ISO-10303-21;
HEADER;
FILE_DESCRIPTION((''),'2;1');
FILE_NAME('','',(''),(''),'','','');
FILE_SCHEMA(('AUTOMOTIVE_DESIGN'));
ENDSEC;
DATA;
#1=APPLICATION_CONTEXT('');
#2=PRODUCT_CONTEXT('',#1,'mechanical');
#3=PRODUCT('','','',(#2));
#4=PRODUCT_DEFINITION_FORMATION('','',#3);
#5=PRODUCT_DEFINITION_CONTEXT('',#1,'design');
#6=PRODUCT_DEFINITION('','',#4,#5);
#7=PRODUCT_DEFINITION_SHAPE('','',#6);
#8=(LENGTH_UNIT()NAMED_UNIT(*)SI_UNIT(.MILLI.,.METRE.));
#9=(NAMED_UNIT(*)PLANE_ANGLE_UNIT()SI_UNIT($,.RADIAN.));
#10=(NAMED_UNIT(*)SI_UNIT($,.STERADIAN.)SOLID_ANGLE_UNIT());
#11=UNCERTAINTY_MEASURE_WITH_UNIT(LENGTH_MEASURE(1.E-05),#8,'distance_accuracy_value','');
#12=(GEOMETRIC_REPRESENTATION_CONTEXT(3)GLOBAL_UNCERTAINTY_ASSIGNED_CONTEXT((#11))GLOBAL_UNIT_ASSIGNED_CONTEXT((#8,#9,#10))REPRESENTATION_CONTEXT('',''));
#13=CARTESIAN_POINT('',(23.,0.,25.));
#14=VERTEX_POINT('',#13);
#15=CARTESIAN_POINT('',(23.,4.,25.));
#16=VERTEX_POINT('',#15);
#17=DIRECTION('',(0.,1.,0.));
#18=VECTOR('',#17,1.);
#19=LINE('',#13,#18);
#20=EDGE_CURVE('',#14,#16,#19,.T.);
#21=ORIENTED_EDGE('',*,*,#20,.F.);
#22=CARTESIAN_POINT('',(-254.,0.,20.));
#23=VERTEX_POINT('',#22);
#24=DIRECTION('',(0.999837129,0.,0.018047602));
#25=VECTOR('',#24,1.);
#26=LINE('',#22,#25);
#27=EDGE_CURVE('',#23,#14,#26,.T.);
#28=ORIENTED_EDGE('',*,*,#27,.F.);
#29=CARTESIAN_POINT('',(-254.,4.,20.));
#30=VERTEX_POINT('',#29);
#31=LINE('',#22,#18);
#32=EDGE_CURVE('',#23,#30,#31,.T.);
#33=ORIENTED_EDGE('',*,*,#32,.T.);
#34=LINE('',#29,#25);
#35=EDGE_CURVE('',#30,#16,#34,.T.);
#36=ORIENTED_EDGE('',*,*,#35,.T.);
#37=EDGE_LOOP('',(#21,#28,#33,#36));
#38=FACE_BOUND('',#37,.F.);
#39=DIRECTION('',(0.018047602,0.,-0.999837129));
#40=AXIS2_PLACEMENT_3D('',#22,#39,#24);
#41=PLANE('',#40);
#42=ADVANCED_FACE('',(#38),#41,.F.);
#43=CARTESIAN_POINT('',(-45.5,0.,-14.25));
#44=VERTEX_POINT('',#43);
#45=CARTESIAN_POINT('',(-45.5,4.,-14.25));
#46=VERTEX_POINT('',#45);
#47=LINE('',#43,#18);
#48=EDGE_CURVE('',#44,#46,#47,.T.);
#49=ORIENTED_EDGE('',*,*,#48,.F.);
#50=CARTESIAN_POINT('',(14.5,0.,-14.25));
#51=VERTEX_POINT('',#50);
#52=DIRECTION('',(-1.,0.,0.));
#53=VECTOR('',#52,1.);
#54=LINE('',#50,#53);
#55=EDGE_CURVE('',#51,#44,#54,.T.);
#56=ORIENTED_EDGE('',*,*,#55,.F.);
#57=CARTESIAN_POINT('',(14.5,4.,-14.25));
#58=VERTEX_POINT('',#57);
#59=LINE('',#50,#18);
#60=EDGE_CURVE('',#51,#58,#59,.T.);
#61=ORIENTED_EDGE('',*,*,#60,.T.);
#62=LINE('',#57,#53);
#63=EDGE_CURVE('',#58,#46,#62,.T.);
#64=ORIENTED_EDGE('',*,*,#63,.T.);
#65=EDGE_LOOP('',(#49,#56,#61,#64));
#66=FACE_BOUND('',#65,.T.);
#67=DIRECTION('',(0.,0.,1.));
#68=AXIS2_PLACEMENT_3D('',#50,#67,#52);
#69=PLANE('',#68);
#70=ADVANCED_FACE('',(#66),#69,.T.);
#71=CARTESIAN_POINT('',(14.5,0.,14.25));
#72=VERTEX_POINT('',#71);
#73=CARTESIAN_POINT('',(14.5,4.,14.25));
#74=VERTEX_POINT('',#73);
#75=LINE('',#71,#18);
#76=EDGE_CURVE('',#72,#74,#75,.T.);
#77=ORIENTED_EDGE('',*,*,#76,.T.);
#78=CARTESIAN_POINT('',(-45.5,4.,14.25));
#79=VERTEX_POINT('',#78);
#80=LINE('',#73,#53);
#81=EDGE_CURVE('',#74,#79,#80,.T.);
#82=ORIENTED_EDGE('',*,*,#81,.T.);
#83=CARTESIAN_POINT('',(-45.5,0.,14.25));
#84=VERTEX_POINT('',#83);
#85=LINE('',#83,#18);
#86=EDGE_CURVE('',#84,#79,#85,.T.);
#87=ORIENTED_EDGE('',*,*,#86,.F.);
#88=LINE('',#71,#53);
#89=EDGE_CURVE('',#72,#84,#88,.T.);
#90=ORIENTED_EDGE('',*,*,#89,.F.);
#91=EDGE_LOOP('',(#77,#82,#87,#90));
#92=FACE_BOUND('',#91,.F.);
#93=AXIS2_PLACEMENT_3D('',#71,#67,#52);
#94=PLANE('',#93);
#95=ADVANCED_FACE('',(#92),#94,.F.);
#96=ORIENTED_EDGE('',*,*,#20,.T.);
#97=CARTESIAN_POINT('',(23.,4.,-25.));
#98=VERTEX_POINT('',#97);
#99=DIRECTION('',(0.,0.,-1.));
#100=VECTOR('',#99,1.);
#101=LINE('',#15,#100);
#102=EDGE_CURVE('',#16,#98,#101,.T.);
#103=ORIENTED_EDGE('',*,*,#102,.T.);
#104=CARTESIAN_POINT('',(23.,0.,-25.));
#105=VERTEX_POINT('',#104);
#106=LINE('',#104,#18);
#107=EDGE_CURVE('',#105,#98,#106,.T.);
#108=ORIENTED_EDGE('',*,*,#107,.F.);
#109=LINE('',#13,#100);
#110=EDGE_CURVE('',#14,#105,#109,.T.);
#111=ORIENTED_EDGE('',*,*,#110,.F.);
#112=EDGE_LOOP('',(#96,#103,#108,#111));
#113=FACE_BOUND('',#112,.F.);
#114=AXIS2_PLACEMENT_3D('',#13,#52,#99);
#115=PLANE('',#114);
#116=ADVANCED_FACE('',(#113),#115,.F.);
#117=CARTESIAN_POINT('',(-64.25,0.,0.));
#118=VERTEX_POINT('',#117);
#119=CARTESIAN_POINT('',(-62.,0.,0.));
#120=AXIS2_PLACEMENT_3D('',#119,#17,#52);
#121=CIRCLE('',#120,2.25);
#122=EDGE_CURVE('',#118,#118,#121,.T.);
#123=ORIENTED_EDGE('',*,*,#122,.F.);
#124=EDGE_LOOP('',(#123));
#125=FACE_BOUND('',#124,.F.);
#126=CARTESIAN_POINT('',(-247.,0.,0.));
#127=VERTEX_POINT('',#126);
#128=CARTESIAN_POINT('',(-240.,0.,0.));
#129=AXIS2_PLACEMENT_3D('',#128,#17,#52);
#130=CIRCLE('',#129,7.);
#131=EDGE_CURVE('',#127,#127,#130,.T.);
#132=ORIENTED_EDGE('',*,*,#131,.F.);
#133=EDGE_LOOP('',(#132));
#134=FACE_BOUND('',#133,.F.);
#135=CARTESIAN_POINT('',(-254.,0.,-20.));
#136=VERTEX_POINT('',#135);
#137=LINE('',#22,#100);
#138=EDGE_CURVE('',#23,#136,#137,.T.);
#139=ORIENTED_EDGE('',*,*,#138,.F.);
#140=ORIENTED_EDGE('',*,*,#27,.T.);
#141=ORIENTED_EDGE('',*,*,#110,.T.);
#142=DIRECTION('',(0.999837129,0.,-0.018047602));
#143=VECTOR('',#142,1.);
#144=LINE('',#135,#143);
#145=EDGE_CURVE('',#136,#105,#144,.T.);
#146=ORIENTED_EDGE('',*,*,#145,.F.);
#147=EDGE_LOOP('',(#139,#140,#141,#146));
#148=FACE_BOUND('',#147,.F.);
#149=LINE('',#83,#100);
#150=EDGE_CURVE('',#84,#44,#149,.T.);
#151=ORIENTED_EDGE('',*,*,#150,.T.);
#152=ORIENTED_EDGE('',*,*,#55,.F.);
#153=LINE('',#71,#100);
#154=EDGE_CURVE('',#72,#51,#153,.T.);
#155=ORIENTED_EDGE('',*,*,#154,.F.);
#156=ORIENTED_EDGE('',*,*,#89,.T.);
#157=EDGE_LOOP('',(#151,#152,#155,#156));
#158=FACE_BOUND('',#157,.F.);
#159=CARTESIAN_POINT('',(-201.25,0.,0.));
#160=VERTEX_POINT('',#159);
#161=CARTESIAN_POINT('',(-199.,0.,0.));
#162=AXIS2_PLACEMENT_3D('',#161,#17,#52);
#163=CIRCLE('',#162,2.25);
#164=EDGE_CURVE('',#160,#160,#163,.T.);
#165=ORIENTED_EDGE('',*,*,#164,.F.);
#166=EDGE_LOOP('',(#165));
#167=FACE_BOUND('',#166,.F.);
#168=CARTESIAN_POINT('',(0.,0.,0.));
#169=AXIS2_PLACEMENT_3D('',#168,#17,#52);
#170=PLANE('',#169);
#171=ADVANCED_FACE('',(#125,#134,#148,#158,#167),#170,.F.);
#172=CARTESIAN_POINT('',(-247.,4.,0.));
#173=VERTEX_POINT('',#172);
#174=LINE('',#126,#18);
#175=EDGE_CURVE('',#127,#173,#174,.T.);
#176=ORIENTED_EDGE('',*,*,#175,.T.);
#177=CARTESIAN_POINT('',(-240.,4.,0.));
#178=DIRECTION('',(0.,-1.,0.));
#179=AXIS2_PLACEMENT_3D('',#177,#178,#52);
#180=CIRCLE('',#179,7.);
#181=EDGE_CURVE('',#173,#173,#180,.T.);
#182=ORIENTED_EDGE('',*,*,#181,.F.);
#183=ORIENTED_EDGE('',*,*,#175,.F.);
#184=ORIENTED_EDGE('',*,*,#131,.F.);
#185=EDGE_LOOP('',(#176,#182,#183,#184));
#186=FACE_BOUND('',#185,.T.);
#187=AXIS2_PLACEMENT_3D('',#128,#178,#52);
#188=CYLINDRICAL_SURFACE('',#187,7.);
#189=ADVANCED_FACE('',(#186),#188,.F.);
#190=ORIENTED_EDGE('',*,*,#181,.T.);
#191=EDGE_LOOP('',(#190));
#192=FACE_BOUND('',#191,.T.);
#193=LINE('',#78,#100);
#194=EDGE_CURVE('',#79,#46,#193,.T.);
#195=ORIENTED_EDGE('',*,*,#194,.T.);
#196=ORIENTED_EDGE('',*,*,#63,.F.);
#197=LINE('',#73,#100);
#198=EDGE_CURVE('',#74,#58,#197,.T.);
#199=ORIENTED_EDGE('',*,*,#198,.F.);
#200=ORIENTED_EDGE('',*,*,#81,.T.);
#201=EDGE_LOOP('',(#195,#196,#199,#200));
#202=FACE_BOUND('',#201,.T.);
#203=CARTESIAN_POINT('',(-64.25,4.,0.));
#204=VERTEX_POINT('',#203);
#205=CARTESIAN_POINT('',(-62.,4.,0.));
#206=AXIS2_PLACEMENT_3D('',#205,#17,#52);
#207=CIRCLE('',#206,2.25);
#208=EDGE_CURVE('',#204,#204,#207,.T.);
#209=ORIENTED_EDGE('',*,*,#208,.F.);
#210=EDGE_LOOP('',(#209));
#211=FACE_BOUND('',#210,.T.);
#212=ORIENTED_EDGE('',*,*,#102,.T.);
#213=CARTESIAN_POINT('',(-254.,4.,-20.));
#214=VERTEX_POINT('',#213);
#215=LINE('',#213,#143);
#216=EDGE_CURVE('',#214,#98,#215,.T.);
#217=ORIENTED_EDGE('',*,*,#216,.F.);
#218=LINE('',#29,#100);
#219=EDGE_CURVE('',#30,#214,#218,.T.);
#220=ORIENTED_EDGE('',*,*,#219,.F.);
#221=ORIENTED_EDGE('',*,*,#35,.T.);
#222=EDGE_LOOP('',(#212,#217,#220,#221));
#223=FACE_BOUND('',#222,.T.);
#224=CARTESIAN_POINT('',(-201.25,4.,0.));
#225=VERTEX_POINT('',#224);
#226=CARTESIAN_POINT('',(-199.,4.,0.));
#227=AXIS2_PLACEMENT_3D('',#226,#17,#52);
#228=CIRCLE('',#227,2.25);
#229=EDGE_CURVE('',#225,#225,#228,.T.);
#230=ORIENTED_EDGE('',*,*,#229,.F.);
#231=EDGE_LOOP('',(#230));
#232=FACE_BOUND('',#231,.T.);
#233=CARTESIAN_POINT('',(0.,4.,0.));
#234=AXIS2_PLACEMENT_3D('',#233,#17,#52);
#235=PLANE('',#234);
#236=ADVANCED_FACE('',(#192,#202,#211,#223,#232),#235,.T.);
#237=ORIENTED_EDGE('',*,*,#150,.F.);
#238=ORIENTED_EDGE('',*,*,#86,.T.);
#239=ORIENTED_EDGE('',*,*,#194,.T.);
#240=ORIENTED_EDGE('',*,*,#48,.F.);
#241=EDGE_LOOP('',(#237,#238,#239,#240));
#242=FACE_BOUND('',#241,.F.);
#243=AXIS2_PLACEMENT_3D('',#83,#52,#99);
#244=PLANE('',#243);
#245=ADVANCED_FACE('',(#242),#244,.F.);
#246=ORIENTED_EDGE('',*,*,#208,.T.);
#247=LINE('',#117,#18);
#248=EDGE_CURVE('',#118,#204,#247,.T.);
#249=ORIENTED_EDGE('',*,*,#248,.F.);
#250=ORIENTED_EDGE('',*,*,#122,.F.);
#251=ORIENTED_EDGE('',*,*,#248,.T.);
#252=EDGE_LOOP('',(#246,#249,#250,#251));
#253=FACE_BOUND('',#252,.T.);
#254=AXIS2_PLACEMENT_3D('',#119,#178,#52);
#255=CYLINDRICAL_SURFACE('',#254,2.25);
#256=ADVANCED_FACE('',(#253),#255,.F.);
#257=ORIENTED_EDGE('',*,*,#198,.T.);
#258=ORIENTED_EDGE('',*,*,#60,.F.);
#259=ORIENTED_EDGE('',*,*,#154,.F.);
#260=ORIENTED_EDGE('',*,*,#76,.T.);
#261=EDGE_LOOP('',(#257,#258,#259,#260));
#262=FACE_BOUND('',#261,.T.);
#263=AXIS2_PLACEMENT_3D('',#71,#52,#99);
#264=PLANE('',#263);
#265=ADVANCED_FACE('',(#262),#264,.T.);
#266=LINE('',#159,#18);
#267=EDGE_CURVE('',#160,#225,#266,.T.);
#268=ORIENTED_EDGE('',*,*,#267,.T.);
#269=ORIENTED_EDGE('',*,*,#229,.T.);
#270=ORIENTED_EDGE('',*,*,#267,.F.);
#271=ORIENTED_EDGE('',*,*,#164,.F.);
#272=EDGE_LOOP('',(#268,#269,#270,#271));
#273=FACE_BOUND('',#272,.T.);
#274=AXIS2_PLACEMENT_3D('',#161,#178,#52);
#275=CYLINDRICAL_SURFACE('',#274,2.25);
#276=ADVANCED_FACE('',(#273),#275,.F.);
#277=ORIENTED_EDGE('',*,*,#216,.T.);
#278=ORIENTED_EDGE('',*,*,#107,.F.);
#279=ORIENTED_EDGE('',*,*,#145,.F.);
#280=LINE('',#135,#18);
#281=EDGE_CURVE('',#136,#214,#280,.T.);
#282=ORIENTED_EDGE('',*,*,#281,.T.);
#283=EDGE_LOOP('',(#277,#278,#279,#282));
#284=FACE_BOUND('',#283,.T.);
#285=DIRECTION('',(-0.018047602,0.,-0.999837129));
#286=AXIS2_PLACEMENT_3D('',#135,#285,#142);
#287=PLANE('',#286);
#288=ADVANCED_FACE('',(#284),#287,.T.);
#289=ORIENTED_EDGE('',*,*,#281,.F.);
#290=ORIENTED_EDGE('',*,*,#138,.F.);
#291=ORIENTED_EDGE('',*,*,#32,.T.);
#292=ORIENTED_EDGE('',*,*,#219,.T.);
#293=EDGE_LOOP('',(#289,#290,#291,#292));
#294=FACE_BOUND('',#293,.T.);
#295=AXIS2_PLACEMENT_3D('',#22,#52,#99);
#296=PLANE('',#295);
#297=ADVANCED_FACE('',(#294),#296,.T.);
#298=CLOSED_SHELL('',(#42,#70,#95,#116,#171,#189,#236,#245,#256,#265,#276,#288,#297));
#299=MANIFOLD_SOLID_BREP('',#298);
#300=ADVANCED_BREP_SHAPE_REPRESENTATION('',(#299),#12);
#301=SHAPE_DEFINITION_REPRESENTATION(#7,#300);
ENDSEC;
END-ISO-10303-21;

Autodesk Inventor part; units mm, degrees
ref_plane "YZ Plane" through (0, 0, 0) normal (1, 0, 0) x (0, 1, 0)
ref_plane "XZ Plane" through (0, 0, 0) normal (0, 1, 0) x (-1, 0, 0)
ref_plane "XY Plane" through (0, 0, 0) normal (0, 0, 1) x (1, 0, 0)
sketch "Sketch2" plane through (0, 0, 0) normal (0, 1, 0) x (-1, 0, 0)
  circle A0 centre (188.3525, 14.1838) radius 2 projected
  circle A1 centre (143.3599, 14.996) radius 2 projected
  circle A2 centre (98.3672, 15.8081) radius 2 projected
  circle A3 centre (53.3745, 16.6203) radius 2 projected
  circle A4 centre (62, 0) radius 2.25 projected
  circle A5 centre (199, 0) radius 2.25 projected
  circle A6 centre (214.5, 0) radius 1.5 projected
  line L0 (217, 7) -> (217, -7) projected
  line L1 (217, 7) -> (247, 7) projected
  line L2 (247, 7) -> (247, -7) projected
  line L3 (217, -7) -> (247, -7) projected
  circle A7 centre (249.5, 0) radius 1.5 projected
  line L4 (254, 20) -> (254, -20) projected
  line L5 (254, 20) -> (-23, 25) projected
  line L6 (-23, 25) -> (-23, -25) projected
  line L7 (254, -20) -> (-23, -25) projected
  circle A8 centre (50, -8.5) radius 1.5 projected
  circle A9 centre (-19, -8.5) radius 1.5 projected
  line L8 (45.5, 14.25) -> (45.5, -14.25) projected
  line L9 (-14.5, -14.25) -> (45.5, -14.25) projected
  line L10 (-14.5, 14.25) -> (-14.5, -14.25) projected
  line L11 (-14.5, 14.25) -> (45.5, 14.25) projected
  circle A10 centre (-19, 8.5) radius 1.5 projected
  circle A11 centre (50, 8.5) radius 1.5 projected
  circle A12 centre (240, 0) radius 1.2295 construction
  circle A13 centre (240, 0) radius 7
  point P0 (0, 0)
  dimension "d77" = 14
  dimension "d28" = 18.5
  dimension "d37" = 20
  dimension "d38" = 20
  dimension "d39" = 42
  dimension "d40" = 21
  dimension "d41" = 50
  dimension "d42" = 10
  dimension "d43" = 10.5
  dimension "d52" = 240
  dimension "d53" = 14
  dimension "d54" = 9.5
  dimension "d62" = 10
  dimension "d73" = 274
  dimension "d74" = 20
extrude "Extrusion2" add sketch "Sketch2" along normal blind 4 contours A0 | A1 | A2 | A3 | A6 | L1 A13 L3 L0 | L1 L2 A13 | A13 L2 L3 | A7 | L4 L7 L6 L5 | A8 | A9 | A10 | A11
properties part number "segment2b" material "Plywood, Finish"
